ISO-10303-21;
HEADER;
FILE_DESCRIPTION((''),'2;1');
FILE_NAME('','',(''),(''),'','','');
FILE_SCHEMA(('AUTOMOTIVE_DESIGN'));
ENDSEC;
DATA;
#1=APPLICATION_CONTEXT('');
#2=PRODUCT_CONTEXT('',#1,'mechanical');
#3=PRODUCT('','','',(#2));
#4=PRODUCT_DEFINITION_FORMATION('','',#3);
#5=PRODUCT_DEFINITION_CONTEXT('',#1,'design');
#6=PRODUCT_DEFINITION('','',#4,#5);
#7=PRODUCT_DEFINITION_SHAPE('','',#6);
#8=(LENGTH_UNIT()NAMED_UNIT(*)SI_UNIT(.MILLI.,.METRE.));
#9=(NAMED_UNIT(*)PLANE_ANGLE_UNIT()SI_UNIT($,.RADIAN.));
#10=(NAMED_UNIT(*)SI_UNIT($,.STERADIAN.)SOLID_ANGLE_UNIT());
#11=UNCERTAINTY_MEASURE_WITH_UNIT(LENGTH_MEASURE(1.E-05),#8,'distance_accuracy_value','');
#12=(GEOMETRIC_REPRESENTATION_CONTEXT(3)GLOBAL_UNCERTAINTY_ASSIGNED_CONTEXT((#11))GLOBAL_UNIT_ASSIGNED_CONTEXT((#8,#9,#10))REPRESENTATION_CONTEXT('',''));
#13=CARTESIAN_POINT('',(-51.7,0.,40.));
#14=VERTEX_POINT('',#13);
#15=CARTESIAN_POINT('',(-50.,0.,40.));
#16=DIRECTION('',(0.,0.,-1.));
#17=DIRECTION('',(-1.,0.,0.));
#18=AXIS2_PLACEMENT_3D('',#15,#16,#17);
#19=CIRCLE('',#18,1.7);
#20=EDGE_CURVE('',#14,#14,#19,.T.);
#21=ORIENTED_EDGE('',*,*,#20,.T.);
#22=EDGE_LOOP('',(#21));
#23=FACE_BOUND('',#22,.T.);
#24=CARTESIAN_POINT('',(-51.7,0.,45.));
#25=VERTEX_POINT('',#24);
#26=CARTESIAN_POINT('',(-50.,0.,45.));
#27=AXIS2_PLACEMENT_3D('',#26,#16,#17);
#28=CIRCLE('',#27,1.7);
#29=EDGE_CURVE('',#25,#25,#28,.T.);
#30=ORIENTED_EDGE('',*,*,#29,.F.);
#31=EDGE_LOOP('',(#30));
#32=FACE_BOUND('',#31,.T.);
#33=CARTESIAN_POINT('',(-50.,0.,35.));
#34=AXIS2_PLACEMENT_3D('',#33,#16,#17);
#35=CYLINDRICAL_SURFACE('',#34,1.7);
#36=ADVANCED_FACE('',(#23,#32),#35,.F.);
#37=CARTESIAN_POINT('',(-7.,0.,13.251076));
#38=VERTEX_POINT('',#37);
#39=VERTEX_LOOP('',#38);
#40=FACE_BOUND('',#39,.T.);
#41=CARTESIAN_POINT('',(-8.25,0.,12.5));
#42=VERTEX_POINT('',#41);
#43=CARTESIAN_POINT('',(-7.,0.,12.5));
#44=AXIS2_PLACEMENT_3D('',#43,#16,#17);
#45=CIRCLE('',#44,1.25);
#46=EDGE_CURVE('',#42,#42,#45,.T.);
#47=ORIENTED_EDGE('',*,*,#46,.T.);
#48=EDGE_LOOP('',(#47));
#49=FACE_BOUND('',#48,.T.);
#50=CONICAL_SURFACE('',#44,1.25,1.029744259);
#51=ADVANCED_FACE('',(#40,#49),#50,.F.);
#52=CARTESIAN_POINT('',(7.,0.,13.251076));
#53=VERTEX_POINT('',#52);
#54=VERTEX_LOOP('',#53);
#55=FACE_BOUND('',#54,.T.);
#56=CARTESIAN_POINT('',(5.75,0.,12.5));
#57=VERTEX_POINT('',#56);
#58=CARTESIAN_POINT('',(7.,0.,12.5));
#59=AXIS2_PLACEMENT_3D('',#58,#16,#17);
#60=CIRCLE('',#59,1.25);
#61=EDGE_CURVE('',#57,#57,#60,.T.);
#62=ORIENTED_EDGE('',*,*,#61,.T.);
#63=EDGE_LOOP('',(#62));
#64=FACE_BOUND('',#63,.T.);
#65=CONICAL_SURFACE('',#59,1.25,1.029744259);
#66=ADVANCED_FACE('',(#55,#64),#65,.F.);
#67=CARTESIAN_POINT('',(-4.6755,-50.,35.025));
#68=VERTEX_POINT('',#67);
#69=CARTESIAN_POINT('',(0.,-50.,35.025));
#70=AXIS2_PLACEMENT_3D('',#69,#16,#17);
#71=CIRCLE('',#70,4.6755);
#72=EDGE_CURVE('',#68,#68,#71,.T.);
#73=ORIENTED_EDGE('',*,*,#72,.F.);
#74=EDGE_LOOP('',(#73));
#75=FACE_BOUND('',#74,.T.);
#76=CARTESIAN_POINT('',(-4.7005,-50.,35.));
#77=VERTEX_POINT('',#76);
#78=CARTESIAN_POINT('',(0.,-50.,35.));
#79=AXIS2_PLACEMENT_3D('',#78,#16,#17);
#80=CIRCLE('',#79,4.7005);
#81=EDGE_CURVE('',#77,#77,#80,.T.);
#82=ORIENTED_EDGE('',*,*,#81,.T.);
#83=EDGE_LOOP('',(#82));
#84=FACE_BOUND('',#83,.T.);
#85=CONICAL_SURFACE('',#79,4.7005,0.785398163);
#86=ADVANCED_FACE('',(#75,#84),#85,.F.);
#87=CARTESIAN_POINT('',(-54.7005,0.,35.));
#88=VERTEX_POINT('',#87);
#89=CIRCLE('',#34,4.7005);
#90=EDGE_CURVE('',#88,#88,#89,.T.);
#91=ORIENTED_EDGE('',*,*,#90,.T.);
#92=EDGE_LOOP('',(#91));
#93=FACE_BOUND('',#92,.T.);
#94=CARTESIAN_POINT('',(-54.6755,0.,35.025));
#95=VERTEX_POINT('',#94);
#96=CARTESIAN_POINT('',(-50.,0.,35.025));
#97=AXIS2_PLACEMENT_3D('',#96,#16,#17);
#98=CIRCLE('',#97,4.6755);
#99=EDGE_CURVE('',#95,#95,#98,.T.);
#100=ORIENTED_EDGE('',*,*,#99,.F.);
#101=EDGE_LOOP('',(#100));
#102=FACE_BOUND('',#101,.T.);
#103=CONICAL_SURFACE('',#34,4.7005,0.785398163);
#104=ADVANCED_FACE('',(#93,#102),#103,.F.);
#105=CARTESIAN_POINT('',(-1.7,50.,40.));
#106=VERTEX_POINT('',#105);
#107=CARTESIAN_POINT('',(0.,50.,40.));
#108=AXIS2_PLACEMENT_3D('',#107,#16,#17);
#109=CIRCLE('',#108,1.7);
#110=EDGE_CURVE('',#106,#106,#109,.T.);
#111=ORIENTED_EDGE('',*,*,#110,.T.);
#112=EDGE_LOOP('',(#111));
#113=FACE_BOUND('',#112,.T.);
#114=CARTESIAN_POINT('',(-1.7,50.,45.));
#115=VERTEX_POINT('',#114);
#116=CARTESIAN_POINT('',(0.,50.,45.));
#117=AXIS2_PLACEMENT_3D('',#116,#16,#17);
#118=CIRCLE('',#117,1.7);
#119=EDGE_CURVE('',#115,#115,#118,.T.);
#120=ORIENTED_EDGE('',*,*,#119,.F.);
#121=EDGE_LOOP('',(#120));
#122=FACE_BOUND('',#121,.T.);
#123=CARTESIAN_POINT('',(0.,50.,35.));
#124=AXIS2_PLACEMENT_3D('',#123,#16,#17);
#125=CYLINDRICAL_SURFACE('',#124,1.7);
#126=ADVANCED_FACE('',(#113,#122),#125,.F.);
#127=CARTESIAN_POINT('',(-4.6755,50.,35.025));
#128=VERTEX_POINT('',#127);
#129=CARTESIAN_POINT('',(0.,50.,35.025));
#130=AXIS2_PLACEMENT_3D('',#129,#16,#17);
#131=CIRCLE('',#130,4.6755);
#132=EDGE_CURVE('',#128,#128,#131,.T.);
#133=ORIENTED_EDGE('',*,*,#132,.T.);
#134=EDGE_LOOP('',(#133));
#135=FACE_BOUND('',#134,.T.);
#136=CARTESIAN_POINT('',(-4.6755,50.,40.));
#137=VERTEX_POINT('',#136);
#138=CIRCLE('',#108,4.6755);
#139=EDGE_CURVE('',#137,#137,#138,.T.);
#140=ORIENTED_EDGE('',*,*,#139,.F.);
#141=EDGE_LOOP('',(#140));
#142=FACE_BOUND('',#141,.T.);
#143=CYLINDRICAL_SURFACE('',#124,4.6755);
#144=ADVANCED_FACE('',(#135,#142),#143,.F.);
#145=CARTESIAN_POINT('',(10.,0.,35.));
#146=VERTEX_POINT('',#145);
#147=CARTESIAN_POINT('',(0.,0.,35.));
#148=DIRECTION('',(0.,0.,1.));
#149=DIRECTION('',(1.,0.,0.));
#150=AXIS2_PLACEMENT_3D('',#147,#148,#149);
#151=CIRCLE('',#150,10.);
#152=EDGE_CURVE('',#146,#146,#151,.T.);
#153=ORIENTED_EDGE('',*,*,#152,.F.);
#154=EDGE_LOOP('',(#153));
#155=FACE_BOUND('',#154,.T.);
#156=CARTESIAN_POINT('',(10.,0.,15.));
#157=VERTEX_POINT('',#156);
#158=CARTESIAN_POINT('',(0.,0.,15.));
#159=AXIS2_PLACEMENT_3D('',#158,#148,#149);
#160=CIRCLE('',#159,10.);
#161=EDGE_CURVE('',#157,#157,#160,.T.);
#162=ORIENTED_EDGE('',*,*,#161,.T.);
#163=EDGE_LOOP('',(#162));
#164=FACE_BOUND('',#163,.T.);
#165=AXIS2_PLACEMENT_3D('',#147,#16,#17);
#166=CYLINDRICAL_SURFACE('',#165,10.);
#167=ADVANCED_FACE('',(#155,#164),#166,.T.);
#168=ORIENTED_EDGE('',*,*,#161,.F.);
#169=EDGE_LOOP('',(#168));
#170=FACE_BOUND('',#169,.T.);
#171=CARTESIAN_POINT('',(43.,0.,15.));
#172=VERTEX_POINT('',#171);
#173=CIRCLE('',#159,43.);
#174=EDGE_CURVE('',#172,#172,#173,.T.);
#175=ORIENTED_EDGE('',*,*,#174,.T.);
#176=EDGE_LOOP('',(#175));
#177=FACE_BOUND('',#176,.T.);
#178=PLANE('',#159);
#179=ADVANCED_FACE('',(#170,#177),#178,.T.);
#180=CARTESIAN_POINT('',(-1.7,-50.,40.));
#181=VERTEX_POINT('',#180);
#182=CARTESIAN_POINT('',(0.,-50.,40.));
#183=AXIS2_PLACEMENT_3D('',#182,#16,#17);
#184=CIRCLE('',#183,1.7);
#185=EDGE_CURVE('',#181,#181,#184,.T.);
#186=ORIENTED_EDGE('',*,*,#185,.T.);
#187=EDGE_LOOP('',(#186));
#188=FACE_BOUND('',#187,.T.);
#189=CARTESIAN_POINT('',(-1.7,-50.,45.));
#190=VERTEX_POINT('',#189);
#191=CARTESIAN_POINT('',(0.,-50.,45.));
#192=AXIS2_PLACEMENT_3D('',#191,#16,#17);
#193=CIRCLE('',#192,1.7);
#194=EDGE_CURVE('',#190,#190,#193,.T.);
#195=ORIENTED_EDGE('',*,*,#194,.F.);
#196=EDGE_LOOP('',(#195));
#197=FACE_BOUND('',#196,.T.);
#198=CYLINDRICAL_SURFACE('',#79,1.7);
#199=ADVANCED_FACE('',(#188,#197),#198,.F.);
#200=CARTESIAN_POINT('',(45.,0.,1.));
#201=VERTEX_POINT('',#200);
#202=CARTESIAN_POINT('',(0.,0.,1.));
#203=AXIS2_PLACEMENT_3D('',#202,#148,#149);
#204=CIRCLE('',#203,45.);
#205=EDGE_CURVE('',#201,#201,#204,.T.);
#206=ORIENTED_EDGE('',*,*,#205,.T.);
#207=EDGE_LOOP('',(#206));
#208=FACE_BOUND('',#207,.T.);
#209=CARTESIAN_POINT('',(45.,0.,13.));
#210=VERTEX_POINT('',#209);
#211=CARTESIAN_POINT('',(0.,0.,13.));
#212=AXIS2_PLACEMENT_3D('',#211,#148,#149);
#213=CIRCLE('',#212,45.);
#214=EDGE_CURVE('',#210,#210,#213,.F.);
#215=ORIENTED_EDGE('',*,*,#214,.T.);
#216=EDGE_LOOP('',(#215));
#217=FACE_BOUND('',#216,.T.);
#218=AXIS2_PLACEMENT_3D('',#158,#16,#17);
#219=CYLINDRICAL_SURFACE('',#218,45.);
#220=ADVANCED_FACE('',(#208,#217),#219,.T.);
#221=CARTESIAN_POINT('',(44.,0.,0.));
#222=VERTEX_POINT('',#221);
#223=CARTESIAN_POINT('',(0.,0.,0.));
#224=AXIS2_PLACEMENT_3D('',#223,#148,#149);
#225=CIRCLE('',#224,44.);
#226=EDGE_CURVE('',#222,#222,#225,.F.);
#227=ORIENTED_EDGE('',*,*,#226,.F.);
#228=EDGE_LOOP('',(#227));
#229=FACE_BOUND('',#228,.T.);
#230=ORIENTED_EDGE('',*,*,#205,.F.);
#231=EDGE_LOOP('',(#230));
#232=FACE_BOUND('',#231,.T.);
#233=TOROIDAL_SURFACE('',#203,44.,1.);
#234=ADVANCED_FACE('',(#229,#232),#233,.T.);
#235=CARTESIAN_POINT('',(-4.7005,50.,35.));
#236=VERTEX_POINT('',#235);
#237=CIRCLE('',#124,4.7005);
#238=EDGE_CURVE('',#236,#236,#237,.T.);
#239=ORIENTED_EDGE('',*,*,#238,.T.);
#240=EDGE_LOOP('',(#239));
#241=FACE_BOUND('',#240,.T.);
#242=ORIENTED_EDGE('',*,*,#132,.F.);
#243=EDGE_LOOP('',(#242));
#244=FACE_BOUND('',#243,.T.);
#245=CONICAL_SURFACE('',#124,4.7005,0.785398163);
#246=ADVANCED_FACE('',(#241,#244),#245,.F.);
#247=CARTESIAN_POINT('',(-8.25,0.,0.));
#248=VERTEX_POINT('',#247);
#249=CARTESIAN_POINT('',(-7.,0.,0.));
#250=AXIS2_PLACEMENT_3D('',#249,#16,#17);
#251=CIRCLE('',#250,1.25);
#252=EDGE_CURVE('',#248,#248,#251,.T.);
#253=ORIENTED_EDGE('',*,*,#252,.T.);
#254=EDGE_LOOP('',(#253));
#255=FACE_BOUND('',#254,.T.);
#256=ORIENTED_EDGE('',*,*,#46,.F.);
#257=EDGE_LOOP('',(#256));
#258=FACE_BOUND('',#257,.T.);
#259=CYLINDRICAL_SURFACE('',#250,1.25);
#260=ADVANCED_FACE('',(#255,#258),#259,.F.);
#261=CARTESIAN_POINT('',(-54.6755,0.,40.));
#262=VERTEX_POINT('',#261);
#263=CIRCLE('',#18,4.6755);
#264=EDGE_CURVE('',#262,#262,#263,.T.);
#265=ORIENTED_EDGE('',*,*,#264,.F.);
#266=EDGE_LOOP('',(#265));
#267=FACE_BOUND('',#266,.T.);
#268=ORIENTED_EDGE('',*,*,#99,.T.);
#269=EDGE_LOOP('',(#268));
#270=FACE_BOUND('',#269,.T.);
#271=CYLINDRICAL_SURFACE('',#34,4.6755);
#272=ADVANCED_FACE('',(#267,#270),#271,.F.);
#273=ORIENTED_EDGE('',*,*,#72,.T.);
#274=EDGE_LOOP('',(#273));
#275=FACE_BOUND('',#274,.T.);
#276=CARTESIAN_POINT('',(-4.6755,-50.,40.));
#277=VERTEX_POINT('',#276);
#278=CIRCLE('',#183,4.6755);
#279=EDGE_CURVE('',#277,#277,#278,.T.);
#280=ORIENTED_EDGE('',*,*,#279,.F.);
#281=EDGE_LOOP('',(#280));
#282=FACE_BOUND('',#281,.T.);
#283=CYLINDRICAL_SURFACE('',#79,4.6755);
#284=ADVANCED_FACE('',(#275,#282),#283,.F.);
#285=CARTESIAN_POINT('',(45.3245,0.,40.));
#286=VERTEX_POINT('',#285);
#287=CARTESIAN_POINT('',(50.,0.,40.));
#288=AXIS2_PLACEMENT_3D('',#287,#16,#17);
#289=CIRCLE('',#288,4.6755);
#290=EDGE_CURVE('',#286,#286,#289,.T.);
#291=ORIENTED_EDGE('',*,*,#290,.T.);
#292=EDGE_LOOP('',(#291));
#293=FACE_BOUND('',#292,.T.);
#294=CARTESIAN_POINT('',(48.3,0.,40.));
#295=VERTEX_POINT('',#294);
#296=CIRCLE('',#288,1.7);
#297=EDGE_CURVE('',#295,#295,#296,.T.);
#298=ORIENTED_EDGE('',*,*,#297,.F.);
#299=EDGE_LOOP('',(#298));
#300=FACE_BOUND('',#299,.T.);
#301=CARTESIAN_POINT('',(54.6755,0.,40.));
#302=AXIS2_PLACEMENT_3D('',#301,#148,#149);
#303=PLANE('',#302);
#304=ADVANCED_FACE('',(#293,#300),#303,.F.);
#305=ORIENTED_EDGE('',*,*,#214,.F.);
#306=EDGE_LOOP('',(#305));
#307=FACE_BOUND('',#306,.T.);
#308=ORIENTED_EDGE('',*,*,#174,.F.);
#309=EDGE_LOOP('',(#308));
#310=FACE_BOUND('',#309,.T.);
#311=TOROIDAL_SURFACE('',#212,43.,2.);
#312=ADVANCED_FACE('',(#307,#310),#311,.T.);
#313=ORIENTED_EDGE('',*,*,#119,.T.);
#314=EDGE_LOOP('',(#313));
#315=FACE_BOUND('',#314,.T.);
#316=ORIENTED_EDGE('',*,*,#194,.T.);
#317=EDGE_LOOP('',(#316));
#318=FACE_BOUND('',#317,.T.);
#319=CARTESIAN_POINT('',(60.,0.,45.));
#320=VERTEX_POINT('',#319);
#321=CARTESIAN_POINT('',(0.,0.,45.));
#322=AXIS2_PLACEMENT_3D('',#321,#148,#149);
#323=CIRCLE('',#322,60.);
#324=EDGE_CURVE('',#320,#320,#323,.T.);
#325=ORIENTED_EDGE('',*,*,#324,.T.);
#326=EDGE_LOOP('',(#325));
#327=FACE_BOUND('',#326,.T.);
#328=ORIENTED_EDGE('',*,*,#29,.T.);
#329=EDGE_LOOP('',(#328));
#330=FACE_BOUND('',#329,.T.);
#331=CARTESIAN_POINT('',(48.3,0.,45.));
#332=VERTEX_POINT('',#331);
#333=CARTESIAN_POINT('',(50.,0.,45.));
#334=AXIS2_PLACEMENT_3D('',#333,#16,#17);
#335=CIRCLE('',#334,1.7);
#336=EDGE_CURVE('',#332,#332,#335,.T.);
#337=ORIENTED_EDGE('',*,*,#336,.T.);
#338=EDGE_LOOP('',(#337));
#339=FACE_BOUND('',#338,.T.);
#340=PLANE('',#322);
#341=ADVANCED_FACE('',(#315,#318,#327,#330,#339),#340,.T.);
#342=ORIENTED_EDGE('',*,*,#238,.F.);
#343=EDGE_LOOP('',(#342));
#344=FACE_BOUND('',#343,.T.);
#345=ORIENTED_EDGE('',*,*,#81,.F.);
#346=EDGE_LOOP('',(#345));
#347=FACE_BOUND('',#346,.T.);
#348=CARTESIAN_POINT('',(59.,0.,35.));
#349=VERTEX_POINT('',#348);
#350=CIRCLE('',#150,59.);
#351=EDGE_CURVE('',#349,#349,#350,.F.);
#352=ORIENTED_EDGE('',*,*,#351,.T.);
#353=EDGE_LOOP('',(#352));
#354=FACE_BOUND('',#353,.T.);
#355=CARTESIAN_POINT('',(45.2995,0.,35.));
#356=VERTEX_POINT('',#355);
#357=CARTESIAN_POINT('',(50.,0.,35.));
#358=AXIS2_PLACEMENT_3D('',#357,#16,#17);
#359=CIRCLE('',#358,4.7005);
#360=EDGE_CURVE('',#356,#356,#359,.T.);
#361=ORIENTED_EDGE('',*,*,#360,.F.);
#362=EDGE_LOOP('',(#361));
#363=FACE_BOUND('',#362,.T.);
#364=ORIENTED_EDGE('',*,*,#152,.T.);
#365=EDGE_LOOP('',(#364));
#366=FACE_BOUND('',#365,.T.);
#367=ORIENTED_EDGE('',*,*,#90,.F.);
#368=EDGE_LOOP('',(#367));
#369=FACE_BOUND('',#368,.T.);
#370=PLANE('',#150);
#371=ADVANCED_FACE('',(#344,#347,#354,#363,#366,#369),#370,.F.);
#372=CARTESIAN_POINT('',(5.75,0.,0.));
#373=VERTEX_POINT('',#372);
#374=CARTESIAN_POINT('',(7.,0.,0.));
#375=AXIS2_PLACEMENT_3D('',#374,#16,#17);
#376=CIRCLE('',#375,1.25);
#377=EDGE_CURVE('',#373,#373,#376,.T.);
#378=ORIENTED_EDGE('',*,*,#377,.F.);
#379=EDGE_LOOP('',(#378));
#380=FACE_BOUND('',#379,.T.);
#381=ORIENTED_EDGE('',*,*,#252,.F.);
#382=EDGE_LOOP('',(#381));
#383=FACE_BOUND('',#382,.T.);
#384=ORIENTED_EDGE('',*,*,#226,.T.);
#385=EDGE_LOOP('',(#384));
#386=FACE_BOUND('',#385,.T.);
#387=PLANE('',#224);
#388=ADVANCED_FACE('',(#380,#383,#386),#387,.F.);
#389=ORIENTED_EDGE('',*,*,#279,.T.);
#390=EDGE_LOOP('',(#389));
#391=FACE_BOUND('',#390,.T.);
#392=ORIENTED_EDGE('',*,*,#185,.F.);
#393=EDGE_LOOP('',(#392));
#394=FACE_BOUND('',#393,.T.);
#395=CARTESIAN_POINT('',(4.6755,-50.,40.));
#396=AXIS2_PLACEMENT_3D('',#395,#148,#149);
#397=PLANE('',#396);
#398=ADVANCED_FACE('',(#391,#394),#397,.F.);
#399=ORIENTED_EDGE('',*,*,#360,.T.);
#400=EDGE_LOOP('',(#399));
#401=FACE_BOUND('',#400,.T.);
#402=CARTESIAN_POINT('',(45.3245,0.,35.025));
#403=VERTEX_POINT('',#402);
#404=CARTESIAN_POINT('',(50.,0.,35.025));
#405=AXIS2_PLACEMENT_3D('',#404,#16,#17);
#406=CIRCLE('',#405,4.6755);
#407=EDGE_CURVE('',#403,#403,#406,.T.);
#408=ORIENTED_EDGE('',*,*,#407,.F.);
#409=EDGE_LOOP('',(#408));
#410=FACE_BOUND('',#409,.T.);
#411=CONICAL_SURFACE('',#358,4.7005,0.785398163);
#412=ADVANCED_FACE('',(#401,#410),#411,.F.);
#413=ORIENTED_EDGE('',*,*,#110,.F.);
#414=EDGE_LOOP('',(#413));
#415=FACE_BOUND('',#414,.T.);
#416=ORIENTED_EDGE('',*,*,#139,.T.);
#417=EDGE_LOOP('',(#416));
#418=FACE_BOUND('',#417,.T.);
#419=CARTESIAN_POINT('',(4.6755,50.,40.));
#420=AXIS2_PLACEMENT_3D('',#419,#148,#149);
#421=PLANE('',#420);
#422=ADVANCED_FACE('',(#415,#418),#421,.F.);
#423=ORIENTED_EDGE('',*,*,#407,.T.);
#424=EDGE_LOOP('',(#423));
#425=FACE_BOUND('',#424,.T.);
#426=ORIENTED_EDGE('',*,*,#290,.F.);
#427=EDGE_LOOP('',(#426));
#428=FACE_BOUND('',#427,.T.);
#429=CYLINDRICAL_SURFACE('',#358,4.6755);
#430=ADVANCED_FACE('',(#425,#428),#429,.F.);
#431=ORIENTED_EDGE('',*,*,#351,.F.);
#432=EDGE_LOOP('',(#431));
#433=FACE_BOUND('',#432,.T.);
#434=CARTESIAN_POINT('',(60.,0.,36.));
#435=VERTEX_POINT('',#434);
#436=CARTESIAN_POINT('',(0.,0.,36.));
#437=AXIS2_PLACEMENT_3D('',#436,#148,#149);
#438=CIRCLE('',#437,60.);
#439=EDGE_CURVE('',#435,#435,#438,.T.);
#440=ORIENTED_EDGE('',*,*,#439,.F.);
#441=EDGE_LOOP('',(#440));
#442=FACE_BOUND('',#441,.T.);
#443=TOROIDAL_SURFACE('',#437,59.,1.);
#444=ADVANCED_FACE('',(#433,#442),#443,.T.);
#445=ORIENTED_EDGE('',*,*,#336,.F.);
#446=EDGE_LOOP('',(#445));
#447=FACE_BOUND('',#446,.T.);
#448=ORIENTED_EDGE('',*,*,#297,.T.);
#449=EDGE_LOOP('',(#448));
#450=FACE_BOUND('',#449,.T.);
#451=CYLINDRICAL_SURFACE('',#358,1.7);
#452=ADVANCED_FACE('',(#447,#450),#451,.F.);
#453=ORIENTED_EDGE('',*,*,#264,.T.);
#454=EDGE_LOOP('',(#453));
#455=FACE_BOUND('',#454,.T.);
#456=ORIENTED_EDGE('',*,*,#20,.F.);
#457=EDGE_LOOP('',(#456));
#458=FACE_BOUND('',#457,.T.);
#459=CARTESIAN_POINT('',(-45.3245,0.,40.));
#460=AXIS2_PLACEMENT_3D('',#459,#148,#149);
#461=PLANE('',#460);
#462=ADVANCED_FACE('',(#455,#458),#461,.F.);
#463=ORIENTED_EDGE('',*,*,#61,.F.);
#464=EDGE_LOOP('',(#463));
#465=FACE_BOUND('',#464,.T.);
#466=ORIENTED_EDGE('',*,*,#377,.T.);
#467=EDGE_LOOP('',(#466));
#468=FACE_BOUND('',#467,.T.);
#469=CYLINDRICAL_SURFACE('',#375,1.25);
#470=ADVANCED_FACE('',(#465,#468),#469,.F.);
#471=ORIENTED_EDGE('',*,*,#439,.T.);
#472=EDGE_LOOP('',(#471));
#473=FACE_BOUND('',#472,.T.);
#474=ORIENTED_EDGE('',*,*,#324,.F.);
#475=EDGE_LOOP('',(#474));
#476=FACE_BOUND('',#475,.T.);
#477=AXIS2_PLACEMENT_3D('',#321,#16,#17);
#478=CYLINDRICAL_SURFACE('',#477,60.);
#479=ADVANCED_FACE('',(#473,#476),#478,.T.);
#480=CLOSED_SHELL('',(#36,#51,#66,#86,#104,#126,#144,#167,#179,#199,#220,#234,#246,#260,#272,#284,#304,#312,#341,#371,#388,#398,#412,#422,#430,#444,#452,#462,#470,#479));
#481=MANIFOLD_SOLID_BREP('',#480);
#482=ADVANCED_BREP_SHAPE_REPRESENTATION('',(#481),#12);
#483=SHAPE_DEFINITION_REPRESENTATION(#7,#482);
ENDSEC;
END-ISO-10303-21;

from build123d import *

# Parameters (mm, degrees)
ESQUISSE1_R                                = 45
BOSS_EXTRU_1_DEPTH                         = 15
ESQUISSE3_R                                = 10
BOSS_EXTRU_2_DEPTH                         = 20
ESQUISSE4_R                                = 60
BOSS_EXTRU_3_DEPTH                         = 10
CONG_1_R                                   = 2
CONG_2_R                                   = 1
CONG_3_R                                   = 1
TROU_TARAUD_M31_D                          = 2.5
TROU_TARAUD_M31_DEPTH                      = 12.5
TROU_TARAUD_M31_TIP                        = 0.751075774
CHAMBRAGE_POUR_VIS_T_TE_HEXAGONALE_2_COUNT = 2
CHAMBRAGE_POUR_VIS_T_TE_HEXAGONALE_2_PITCH = 70.710678119
CHAMBRAGE_POUR_VIS_T_TE_HEXAGONALE_3_COUNT = 2
CHAMBRAGE_POUR_VIS_T_TE_HEXAGONALE_3_PITCH = 100
CHAMBRAGE_POUR_VIS_T_TE_HEXAGONALE_4_COUNT = 2
CHAMBRAGE_POUR_VIS_T_TE_HEXAGONALE_4_PITCH = 70.710678119


with BuildPart() as part:
    # Esquisse1 → Boss.-Extru.1 (new body)
    with BuildSketch(Plane.XY):
        Circle(ESQUISSE1_R)
    extrude(amount=BOSS_EXTRU_1_DEPTH)

    # Esquisse3 → Boss.-Extru.2 (add)
    with BuildSketch(Plane.XY.offset(15)):
        Circle(ESQUISSE3_R)
    extrude(amount=BOSS_EXTRU_2_DEPTH)

    # Esquisse4 → Boss.-Extru.3 (add)
    with BuildSketch(Plane.XY.offset(35)):
        Circle(ESQUISSE4_R)
    extrude(amount=BOSS_EXTRU_3_DEPTH)

    # Congé1
    cong_1_edges = [part.edges().sort_by_distance(p)[0] for p in [
        (-45, 0, 15),
    ]]
    fillet(cong_1_edges, radius=CONG_1_R)

    # Congé2
    cong_2_edges = [part.edges().sort_by_distance(p)[0] for p in [
        (-60, 0, 35),
    ]]
    fillet(cong_2_edges, radius=CONG_2_R)

    # Congé3
    cong_3_edges = [part.edges().sort_by_distance(p)[0] for p in [
        (-45, 0, 0),
    ]]
    fillet(cong_3_edges, radius=CONG_3_R)

    # Trou taraudé M31
    with Locations(Plane(origin=(-7, 0, 0), x_dir=(-1, 0, 0), z_dir=(0, 0, -1))):
        with Locations((0, 0), (-14, 0)):
            Hole(TROU_TARAUD_M31_D / 2, depth=TROU_TARAUD_M31_DEPTH)
            with Locations((0, 0, -(TROU_TARAUD_M31_DEPTH + TROU_TARAUD_M31_TIP / 2))):  # 118° drill point
                Cone(0, TROU_TARAUD_M31_D / 2, TROU_TARAUD_M31_TIP, mode=Mode.SUBTRACT)

    # Esquisse9 → Chambrage pour vis à tête hexagonale M31 (revolve, cut)
    with BuildSketch(Plane(origin=(0, 50, 35), x_dir=(0, 1, 0), z_dir=(1, 0, 0))):
        Polygon((0, 0), (0, 10), (1.7, 10), (1.7, 5), (4.6755, 5), (4.6755, 0.025), (4.7005, 0), align=None)
    chambrage_pour_vis_t_te_hexagonale_m31 = revolve(axis=Axis((0, 50, 28.65), (0, 0, 1)), mode=Mode.SUBTRACT)

    # Chambrage pour vis _ t_te hexagonale 2: Chambrage pour vis à tête hexagonale M31 ×2
    with Locations(*[Vector(0.707106781, -0.707106781, 0) * (i * CHAMBRAGE_POUR_VIS_T_TE_HEXAGONALE_2_PITCH) for i in range(1, CHAMBRAGE_POUR_VIS_T_TE_HEXAGONALE_2_COUNT)]):
        add(chambrage_pour_vis_t_te_hexagonale_m31, mode=Mode.SUBTRACT)

    # Chambrage pour vis _ t_te hexagonale 3: Chambrage pour vis à tête hexagonale M31 ×2
    with Locations(*[(0, -i * CHAMBRAGE_POUR_VIS_T_TE_HEXAGONALE_3_PITCH, 0) for i in range(1, CHAMBRAGE_POUR_VIS_T_TE_HEXAGONALE_3_COUNT)]):
        add(chambrage_pour_vis_t_te_hexagonale_m31, mode=Mode.SUBTRACT)

    # Chambrage pour vis _ t_te hexagonale 4: Chambrage pour vis à tête hexagonale M31 ×2
    with Locations(*[Vector(-0.707106781, -0.707106781, 0) * (i * CHAMBRAGE_POUR_VIS_T_TE_HEXAGONALE_4_PITCH) for i in range(1, CHAMBRAGE_POUR_VIS_T_TE_HEXAGONALE_4_COUNT)]):
        add(chambrage_pour_vis_t_te_hexagonale_m31, mode=Mode.SUBTRACT)


solid = part.part
